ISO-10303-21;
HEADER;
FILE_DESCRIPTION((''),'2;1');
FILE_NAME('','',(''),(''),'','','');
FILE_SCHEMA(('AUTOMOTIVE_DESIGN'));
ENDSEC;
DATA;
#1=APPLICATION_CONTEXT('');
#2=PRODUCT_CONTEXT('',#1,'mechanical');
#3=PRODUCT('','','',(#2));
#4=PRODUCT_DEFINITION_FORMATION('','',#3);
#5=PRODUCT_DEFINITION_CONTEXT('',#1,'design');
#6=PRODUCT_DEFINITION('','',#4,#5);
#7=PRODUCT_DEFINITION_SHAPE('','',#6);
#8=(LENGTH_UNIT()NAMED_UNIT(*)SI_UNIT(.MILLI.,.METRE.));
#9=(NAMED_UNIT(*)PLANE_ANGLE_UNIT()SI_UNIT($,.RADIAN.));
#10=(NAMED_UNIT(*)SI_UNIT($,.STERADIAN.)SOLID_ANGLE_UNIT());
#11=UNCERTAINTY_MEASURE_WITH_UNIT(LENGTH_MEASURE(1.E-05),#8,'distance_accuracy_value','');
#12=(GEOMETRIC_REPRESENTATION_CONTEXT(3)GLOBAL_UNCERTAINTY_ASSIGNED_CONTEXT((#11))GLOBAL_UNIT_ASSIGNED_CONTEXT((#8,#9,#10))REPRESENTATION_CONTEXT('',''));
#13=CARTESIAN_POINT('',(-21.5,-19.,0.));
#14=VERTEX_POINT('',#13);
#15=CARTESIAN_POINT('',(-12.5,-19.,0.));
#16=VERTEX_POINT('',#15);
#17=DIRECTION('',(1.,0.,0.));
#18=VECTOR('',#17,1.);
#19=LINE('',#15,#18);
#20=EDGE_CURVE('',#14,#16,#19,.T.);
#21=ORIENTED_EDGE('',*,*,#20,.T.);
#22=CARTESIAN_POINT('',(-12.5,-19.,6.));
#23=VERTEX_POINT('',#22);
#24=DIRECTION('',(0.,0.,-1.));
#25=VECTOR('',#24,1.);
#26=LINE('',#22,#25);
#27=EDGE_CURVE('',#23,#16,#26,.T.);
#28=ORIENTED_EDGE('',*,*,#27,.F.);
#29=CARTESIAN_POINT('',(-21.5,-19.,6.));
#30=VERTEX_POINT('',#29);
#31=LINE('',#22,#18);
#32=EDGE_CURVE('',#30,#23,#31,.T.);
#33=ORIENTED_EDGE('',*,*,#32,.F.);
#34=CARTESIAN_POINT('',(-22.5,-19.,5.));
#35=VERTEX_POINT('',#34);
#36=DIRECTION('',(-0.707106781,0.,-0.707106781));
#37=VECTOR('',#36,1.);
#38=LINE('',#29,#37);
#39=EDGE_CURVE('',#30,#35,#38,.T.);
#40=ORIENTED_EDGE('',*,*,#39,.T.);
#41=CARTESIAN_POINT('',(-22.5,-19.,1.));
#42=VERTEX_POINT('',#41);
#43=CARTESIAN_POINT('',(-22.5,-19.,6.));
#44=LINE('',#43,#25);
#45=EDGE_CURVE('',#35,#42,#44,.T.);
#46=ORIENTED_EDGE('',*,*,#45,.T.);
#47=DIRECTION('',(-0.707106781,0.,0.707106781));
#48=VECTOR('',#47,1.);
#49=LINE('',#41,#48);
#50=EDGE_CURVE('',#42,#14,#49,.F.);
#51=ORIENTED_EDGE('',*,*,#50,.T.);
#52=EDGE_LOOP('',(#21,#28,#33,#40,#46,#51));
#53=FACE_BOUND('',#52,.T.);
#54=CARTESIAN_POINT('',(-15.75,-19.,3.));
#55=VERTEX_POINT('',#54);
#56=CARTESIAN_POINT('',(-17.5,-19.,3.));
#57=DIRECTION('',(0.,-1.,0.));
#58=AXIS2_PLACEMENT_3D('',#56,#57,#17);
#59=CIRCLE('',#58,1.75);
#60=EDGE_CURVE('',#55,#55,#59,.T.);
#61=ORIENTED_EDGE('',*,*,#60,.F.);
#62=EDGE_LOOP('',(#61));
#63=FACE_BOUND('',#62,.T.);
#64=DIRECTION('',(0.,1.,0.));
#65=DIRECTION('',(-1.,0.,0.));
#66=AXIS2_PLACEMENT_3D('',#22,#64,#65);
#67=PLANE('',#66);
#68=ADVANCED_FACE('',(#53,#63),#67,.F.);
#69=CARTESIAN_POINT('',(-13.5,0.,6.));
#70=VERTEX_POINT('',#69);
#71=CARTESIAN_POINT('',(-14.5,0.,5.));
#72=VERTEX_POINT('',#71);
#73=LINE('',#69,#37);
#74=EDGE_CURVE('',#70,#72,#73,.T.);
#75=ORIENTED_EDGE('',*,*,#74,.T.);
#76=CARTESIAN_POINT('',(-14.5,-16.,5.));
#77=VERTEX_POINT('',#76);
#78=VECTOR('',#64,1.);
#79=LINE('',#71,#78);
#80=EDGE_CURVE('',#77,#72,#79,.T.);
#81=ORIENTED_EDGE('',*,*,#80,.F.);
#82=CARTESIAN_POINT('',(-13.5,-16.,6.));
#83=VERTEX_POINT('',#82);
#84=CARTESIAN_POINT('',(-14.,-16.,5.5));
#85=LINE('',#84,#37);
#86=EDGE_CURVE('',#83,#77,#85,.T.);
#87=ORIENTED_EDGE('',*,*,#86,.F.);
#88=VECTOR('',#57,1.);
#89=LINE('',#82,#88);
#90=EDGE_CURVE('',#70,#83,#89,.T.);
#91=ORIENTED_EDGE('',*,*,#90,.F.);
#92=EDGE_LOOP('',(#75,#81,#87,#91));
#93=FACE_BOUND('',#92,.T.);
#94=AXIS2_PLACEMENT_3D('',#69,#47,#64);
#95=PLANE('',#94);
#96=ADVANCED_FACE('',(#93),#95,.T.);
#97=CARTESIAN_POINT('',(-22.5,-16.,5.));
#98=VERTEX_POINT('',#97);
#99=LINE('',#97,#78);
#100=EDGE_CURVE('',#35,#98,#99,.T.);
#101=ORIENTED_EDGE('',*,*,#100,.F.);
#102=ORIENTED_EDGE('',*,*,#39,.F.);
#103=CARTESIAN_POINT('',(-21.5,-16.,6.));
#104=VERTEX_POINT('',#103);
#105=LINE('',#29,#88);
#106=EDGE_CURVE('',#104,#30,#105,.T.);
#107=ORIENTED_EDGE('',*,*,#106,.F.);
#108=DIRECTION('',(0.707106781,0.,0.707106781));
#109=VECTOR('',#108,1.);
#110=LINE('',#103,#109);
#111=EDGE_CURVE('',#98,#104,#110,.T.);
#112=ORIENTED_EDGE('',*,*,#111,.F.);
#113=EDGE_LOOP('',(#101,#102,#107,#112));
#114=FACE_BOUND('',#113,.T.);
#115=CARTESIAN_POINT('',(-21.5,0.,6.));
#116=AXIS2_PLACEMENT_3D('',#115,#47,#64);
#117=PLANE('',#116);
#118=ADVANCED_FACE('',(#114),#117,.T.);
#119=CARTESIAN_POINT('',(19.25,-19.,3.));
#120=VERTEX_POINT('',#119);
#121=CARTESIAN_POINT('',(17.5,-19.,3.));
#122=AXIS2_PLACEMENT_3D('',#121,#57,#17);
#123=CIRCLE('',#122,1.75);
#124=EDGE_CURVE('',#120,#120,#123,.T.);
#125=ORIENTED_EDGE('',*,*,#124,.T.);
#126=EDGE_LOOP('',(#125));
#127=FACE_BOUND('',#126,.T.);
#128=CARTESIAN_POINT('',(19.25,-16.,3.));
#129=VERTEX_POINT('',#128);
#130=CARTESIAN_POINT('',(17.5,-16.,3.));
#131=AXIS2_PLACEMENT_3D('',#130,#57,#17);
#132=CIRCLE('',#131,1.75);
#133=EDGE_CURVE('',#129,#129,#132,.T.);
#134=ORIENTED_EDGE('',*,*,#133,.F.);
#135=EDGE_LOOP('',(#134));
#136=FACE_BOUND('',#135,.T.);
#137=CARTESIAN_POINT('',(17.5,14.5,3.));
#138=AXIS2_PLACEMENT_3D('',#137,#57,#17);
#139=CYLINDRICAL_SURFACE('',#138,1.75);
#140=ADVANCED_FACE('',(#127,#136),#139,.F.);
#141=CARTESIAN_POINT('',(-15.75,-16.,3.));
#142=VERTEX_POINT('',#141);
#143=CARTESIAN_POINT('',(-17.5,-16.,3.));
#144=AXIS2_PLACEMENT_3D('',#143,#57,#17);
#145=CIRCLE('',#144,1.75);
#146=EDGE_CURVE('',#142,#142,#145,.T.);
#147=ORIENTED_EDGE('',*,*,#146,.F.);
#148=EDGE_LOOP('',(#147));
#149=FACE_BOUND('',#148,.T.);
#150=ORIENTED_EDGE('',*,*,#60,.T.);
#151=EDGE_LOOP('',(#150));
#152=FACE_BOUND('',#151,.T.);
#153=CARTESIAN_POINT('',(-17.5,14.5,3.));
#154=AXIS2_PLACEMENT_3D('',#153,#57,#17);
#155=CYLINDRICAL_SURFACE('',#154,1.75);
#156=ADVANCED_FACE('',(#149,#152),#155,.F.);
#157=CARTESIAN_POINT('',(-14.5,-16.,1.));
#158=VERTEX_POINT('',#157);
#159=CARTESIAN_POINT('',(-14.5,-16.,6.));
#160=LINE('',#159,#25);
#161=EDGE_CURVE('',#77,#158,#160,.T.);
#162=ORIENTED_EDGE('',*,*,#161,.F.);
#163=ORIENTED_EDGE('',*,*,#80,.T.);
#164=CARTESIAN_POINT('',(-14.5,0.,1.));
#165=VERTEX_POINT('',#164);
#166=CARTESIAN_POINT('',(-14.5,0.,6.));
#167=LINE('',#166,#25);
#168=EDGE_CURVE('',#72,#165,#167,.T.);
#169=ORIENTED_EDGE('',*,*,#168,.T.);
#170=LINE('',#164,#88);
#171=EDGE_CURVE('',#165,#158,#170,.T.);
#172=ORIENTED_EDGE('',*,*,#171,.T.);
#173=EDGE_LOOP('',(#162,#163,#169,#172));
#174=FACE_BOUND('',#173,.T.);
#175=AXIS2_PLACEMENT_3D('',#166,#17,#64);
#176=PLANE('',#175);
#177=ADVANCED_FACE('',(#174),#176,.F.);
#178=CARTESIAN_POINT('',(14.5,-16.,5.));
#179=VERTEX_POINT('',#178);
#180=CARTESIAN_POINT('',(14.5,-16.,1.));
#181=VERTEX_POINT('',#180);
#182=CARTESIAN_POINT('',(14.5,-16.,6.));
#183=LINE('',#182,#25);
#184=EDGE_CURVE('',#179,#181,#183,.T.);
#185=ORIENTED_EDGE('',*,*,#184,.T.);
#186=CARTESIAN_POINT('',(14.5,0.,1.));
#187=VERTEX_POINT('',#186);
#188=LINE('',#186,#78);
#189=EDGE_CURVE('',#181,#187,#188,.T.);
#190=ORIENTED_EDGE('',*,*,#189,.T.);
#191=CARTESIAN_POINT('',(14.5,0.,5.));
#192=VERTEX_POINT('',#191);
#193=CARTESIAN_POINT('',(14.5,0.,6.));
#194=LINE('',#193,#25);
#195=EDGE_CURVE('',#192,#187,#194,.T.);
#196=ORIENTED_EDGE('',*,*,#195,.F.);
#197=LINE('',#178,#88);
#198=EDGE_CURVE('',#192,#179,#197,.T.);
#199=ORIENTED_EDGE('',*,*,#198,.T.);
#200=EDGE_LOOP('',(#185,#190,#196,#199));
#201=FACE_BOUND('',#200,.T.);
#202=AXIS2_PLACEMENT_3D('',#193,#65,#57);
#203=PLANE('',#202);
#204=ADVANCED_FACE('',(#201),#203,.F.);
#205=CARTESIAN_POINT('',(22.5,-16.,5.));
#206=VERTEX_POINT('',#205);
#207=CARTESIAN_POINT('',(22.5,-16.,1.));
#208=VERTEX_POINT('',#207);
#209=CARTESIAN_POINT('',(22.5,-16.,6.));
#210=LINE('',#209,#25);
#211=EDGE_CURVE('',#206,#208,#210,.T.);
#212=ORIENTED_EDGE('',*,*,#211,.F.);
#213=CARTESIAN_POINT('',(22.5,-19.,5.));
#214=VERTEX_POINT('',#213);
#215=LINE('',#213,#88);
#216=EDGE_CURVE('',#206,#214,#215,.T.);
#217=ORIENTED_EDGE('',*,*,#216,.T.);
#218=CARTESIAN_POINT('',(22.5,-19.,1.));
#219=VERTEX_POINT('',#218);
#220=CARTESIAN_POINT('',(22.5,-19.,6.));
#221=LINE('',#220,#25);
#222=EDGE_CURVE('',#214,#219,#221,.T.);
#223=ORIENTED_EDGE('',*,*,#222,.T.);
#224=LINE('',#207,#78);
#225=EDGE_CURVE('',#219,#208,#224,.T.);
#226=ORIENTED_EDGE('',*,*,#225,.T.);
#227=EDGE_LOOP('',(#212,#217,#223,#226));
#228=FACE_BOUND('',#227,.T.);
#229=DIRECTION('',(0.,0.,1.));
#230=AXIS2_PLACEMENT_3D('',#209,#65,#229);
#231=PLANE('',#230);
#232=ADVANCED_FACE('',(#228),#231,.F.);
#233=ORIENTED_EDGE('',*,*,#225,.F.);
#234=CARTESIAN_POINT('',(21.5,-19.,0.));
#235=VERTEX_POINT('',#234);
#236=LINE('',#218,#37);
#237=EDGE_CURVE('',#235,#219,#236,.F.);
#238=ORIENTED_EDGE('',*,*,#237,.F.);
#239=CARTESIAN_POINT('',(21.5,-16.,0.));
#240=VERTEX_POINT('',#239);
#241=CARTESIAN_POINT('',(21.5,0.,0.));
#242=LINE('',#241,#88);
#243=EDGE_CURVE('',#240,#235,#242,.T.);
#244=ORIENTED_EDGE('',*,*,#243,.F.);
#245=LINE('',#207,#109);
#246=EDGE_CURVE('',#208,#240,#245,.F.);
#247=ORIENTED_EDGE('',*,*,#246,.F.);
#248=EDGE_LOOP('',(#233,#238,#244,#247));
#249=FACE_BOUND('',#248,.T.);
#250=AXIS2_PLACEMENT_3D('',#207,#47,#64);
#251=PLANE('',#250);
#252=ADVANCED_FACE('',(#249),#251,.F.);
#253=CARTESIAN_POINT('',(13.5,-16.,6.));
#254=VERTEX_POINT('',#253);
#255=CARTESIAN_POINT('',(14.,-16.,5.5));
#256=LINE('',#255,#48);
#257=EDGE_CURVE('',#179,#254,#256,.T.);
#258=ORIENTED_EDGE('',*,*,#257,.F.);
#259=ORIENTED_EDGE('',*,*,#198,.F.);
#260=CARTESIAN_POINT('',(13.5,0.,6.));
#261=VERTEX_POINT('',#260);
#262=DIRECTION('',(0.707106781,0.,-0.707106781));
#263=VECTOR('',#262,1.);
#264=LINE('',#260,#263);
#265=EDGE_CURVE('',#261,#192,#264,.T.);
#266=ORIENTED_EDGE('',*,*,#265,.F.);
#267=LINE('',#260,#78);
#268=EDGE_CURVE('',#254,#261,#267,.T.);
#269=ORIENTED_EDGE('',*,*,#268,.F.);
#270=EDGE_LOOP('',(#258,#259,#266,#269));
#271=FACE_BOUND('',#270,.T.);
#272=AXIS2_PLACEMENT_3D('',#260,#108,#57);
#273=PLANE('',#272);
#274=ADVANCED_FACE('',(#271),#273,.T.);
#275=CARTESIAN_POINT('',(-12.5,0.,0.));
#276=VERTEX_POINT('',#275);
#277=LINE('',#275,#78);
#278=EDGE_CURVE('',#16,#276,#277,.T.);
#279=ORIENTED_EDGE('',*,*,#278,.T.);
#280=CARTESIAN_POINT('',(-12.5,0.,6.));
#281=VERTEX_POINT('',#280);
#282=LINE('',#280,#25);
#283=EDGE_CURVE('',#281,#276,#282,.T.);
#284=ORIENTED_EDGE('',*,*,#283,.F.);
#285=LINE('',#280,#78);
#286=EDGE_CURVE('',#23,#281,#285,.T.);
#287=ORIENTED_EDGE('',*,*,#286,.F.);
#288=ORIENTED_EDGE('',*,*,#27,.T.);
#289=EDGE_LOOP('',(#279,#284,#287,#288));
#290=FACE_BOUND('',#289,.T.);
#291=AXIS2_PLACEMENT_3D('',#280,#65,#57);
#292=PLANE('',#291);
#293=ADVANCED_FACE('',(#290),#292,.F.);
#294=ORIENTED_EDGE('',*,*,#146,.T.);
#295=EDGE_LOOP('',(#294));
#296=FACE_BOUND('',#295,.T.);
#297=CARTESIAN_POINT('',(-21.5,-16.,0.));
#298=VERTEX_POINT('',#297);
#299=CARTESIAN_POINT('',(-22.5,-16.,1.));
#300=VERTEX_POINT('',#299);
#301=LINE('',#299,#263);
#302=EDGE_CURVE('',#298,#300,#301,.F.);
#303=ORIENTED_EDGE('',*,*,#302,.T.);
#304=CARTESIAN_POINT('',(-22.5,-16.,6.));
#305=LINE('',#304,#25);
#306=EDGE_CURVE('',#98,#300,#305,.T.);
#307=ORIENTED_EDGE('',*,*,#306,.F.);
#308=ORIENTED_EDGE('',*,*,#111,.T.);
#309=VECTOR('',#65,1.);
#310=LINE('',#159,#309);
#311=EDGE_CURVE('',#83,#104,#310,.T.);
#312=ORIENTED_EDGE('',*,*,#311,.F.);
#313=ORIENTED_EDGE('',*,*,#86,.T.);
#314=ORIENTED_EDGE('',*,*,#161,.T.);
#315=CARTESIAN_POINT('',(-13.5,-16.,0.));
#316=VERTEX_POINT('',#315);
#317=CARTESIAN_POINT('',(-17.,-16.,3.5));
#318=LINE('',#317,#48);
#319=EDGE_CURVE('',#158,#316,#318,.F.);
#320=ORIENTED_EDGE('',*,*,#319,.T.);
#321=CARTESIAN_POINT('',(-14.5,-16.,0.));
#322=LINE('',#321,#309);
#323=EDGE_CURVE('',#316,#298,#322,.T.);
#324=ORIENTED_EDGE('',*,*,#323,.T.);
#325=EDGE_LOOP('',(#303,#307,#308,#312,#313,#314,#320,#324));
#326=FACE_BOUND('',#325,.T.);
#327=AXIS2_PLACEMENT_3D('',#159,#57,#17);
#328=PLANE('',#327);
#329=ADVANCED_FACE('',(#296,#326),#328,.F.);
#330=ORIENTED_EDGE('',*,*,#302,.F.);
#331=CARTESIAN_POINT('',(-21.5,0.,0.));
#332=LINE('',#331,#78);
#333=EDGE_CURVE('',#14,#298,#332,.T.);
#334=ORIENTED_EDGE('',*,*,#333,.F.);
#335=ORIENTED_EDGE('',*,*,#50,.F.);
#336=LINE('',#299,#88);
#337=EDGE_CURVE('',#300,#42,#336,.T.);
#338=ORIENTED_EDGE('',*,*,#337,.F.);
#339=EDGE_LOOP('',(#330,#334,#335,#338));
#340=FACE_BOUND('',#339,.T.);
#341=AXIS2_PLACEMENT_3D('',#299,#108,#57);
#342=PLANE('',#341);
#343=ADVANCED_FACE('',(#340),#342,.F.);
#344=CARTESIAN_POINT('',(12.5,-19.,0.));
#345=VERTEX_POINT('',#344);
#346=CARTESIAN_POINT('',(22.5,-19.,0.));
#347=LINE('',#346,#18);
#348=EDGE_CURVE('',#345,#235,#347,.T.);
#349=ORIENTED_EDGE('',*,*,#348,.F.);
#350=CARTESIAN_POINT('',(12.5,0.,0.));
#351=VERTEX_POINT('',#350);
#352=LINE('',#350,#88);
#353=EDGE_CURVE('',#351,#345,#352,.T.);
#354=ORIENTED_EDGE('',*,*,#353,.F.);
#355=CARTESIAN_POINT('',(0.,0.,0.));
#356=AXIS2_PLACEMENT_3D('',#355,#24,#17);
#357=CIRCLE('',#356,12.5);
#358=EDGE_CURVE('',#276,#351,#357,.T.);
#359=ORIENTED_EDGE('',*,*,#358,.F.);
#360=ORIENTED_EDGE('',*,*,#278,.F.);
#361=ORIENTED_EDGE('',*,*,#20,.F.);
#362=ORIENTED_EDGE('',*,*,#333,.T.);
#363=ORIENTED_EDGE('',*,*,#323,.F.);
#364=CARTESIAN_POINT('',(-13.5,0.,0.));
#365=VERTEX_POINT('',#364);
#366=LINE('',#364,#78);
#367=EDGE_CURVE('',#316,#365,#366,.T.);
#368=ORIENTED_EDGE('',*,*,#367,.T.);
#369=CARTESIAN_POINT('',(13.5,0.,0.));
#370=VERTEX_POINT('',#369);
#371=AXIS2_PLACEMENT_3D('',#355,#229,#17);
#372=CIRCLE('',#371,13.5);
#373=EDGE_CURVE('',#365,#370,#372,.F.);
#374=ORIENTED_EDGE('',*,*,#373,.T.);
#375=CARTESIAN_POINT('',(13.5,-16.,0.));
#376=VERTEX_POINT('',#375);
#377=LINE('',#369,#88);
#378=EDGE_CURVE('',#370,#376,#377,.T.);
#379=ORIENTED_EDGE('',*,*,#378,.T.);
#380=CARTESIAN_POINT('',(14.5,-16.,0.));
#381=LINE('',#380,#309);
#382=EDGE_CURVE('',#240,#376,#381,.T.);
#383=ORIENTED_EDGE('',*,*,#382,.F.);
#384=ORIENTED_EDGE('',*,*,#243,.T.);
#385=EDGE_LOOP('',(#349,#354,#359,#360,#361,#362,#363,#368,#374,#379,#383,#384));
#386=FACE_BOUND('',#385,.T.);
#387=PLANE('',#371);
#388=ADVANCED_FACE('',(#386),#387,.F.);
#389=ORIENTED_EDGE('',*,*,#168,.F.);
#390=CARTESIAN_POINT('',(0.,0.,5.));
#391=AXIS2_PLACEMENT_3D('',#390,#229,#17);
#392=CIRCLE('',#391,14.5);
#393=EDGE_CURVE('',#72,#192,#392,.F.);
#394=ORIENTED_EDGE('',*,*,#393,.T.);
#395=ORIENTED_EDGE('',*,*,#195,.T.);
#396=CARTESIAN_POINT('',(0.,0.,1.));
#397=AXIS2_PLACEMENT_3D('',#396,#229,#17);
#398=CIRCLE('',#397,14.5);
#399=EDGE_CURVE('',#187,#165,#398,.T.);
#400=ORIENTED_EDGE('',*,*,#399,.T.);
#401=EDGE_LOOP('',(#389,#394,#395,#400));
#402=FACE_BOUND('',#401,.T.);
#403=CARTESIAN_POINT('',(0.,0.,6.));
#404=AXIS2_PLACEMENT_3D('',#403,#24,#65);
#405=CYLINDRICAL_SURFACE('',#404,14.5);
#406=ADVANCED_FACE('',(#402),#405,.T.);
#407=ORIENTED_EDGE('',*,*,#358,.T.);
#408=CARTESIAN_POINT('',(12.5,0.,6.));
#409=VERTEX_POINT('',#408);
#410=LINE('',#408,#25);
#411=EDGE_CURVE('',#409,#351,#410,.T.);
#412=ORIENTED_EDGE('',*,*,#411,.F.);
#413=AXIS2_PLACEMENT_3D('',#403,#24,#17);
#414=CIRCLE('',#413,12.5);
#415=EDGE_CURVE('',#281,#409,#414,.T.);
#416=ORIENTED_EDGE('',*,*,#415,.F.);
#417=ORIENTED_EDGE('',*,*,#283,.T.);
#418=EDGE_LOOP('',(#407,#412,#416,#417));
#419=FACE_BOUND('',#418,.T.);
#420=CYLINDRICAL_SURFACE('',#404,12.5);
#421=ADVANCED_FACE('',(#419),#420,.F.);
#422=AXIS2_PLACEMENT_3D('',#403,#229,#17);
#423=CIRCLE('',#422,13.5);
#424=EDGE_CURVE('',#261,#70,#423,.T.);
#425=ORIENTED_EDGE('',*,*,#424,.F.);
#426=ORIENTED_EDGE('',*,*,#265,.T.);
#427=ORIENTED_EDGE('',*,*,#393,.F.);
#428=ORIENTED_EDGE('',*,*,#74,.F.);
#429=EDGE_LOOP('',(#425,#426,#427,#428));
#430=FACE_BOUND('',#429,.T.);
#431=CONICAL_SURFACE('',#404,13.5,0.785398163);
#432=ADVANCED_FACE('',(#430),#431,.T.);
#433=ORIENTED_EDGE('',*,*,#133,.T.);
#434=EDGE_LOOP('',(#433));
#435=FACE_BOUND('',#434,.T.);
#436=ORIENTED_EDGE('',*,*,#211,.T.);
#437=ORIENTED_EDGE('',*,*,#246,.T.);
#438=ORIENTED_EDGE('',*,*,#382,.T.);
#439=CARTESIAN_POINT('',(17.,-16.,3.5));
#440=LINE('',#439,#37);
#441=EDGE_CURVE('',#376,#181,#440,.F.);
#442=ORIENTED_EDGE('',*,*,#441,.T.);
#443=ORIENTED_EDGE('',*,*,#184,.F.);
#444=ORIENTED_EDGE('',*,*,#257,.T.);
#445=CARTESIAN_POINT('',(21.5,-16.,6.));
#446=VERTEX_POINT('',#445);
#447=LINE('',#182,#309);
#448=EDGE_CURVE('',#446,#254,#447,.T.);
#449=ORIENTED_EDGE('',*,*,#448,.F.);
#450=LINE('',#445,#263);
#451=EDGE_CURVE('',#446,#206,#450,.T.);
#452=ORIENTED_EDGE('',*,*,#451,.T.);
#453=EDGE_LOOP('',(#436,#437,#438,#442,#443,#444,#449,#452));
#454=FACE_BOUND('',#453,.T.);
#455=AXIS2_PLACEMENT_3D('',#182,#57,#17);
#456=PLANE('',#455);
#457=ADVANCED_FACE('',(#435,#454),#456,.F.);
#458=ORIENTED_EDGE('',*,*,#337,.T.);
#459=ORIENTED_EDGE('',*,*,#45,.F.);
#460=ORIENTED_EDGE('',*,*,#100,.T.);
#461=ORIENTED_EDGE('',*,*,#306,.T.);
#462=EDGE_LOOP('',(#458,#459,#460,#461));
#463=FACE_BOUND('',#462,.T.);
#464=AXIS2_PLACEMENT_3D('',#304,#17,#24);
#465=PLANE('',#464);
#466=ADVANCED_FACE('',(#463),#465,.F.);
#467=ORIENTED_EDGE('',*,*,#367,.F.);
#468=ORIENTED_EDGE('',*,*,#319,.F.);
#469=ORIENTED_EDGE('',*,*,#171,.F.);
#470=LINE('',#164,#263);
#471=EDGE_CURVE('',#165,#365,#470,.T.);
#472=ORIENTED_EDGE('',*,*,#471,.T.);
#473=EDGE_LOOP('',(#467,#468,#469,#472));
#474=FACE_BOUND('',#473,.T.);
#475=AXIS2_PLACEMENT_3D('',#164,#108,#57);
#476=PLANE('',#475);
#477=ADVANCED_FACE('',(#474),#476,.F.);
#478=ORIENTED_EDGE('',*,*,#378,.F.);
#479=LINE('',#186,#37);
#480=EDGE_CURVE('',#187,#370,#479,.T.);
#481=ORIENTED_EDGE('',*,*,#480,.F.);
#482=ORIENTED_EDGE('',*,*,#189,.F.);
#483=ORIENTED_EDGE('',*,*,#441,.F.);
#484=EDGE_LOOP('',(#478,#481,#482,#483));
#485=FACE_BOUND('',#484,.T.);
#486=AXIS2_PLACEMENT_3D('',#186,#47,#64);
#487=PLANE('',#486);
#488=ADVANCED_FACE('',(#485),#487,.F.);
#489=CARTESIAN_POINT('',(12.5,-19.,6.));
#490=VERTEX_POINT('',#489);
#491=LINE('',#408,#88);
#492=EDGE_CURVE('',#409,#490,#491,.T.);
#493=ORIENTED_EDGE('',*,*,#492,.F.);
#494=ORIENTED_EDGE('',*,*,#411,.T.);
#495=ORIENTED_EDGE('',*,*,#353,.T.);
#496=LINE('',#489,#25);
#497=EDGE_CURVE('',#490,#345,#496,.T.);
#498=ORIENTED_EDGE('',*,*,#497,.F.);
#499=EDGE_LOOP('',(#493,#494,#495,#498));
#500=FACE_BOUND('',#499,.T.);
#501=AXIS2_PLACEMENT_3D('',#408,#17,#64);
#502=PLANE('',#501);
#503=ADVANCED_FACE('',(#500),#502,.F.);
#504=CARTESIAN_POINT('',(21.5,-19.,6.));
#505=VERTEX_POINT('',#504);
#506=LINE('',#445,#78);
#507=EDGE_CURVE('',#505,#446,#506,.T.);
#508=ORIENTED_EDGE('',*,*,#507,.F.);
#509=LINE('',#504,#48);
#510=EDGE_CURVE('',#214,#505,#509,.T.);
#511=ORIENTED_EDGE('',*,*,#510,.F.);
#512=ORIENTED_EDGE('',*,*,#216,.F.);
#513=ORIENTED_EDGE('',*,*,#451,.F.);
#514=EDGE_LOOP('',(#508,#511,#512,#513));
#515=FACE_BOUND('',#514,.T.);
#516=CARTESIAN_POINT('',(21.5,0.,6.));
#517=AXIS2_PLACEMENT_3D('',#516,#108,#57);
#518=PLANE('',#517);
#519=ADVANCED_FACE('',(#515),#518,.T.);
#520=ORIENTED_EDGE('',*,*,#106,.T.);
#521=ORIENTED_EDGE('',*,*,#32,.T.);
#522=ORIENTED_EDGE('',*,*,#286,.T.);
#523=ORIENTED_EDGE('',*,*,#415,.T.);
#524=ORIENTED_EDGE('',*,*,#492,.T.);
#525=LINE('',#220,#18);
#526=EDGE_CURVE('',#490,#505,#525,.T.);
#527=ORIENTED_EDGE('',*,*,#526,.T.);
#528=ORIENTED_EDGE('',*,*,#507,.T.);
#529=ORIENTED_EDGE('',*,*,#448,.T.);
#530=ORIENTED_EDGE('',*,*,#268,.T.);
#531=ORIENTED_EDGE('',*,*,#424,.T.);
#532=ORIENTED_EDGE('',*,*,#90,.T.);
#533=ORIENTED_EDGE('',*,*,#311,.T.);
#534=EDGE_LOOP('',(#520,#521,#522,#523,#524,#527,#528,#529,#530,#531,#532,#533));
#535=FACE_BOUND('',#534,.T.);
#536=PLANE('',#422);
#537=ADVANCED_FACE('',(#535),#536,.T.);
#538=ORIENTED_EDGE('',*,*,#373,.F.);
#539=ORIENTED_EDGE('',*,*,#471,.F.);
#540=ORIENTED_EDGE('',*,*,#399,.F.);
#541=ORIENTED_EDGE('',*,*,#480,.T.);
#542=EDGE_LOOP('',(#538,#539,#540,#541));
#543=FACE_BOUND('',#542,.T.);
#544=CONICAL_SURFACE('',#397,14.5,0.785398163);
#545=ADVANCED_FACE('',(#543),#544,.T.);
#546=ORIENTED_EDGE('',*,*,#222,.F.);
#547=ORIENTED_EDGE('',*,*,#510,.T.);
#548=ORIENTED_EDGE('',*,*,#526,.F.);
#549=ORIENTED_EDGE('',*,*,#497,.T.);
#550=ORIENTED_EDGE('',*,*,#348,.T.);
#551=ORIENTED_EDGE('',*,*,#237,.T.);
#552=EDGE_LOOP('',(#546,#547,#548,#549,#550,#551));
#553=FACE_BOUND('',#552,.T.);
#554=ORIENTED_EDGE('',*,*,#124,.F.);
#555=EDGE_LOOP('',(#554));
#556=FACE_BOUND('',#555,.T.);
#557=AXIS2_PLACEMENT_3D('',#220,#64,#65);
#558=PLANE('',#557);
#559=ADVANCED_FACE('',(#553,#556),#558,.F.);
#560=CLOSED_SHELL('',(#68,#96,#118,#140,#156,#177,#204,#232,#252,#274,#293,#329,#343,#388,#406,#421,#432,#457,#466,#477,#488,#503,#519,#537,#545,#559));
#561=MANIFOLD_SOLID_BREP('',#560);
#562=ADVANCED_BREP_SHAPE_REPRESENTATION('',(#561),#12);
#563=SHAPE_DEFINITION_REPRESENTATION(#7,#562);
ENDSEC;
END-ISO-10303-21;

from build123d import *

# Parameters (mm, degrees)
BOSS_EXTRUDE1_DEPTH = 6
SKETCH2_R           = 1.75
CUT_EXTRUDE1_DEPTH  = 41.798284278
CHAMFER1_SIZE       = 1


with BuildPart() as part:
    # Sketch1 → Boss-Extrude1 (new body)
    with BuildSketch(Plane.XY):
        with BuildLine():
            Line((-14.5, 0), (-14.5, -16))
            Line((-14.5, -16), (-22.5, -16))
            Line((-22.5, -16), (-22.5, -19))
            Line((-22.5, -19), (-12.5, -19))
            Line((-12.5, -19), (-12.5, 0))
            ThreePointArc((-12.5, 0), (0, 12.5), (12.5, 0))
            Line((12.5, 0), (12.5, -19))
            Line((12.5, -19), (22.5, -19))
            Line((22.5, -19), (22.5, -16))
            Line((22.5, -16), (14.5, -16))
            Line((14.5, -16), (14.5, 0))
            ThreePointArc((14.5, 0), (0, 14.5), (-14.5, 0))
        make_face()
    extrude(amount=BOSS_EXTRUDE1_DEPTH)

    # Sketch2 → Cut-Extrude1 (cut, through all)
    with BuildSketch(Plane.XZ.offset(19)):
        with Locations((-17.5, 3)):
            Circle(SKETCH2_R)
        with Locations((17.5, 3)):
            Circle(SKETCH2_R)
    extrude(amount=-CUT_EXTRUDE1_DEPTH, mode=Mode.SUBTRACT)

    # Chamfer1
    chamfer1_edges = [part.edges().sort_by_distance(p)[0] for p in [
        (14.5, -8, 0),
        (22.5, -17.5, 0),
        (-22.5, -17.5, 0),
        (-14.5, -8, 0),
        (0, 14.5, 0),
        (-22.5, -17.5, 6),
        (22.5, -17.5, 6),
        (14.5, -8, 6),
        (0, 14.5, 6),
        (-14.5, -8, 6),
    ]]
    chamfer(chamfer1_edges, length=CHAMFER1_SIZE)


solid = part.part
